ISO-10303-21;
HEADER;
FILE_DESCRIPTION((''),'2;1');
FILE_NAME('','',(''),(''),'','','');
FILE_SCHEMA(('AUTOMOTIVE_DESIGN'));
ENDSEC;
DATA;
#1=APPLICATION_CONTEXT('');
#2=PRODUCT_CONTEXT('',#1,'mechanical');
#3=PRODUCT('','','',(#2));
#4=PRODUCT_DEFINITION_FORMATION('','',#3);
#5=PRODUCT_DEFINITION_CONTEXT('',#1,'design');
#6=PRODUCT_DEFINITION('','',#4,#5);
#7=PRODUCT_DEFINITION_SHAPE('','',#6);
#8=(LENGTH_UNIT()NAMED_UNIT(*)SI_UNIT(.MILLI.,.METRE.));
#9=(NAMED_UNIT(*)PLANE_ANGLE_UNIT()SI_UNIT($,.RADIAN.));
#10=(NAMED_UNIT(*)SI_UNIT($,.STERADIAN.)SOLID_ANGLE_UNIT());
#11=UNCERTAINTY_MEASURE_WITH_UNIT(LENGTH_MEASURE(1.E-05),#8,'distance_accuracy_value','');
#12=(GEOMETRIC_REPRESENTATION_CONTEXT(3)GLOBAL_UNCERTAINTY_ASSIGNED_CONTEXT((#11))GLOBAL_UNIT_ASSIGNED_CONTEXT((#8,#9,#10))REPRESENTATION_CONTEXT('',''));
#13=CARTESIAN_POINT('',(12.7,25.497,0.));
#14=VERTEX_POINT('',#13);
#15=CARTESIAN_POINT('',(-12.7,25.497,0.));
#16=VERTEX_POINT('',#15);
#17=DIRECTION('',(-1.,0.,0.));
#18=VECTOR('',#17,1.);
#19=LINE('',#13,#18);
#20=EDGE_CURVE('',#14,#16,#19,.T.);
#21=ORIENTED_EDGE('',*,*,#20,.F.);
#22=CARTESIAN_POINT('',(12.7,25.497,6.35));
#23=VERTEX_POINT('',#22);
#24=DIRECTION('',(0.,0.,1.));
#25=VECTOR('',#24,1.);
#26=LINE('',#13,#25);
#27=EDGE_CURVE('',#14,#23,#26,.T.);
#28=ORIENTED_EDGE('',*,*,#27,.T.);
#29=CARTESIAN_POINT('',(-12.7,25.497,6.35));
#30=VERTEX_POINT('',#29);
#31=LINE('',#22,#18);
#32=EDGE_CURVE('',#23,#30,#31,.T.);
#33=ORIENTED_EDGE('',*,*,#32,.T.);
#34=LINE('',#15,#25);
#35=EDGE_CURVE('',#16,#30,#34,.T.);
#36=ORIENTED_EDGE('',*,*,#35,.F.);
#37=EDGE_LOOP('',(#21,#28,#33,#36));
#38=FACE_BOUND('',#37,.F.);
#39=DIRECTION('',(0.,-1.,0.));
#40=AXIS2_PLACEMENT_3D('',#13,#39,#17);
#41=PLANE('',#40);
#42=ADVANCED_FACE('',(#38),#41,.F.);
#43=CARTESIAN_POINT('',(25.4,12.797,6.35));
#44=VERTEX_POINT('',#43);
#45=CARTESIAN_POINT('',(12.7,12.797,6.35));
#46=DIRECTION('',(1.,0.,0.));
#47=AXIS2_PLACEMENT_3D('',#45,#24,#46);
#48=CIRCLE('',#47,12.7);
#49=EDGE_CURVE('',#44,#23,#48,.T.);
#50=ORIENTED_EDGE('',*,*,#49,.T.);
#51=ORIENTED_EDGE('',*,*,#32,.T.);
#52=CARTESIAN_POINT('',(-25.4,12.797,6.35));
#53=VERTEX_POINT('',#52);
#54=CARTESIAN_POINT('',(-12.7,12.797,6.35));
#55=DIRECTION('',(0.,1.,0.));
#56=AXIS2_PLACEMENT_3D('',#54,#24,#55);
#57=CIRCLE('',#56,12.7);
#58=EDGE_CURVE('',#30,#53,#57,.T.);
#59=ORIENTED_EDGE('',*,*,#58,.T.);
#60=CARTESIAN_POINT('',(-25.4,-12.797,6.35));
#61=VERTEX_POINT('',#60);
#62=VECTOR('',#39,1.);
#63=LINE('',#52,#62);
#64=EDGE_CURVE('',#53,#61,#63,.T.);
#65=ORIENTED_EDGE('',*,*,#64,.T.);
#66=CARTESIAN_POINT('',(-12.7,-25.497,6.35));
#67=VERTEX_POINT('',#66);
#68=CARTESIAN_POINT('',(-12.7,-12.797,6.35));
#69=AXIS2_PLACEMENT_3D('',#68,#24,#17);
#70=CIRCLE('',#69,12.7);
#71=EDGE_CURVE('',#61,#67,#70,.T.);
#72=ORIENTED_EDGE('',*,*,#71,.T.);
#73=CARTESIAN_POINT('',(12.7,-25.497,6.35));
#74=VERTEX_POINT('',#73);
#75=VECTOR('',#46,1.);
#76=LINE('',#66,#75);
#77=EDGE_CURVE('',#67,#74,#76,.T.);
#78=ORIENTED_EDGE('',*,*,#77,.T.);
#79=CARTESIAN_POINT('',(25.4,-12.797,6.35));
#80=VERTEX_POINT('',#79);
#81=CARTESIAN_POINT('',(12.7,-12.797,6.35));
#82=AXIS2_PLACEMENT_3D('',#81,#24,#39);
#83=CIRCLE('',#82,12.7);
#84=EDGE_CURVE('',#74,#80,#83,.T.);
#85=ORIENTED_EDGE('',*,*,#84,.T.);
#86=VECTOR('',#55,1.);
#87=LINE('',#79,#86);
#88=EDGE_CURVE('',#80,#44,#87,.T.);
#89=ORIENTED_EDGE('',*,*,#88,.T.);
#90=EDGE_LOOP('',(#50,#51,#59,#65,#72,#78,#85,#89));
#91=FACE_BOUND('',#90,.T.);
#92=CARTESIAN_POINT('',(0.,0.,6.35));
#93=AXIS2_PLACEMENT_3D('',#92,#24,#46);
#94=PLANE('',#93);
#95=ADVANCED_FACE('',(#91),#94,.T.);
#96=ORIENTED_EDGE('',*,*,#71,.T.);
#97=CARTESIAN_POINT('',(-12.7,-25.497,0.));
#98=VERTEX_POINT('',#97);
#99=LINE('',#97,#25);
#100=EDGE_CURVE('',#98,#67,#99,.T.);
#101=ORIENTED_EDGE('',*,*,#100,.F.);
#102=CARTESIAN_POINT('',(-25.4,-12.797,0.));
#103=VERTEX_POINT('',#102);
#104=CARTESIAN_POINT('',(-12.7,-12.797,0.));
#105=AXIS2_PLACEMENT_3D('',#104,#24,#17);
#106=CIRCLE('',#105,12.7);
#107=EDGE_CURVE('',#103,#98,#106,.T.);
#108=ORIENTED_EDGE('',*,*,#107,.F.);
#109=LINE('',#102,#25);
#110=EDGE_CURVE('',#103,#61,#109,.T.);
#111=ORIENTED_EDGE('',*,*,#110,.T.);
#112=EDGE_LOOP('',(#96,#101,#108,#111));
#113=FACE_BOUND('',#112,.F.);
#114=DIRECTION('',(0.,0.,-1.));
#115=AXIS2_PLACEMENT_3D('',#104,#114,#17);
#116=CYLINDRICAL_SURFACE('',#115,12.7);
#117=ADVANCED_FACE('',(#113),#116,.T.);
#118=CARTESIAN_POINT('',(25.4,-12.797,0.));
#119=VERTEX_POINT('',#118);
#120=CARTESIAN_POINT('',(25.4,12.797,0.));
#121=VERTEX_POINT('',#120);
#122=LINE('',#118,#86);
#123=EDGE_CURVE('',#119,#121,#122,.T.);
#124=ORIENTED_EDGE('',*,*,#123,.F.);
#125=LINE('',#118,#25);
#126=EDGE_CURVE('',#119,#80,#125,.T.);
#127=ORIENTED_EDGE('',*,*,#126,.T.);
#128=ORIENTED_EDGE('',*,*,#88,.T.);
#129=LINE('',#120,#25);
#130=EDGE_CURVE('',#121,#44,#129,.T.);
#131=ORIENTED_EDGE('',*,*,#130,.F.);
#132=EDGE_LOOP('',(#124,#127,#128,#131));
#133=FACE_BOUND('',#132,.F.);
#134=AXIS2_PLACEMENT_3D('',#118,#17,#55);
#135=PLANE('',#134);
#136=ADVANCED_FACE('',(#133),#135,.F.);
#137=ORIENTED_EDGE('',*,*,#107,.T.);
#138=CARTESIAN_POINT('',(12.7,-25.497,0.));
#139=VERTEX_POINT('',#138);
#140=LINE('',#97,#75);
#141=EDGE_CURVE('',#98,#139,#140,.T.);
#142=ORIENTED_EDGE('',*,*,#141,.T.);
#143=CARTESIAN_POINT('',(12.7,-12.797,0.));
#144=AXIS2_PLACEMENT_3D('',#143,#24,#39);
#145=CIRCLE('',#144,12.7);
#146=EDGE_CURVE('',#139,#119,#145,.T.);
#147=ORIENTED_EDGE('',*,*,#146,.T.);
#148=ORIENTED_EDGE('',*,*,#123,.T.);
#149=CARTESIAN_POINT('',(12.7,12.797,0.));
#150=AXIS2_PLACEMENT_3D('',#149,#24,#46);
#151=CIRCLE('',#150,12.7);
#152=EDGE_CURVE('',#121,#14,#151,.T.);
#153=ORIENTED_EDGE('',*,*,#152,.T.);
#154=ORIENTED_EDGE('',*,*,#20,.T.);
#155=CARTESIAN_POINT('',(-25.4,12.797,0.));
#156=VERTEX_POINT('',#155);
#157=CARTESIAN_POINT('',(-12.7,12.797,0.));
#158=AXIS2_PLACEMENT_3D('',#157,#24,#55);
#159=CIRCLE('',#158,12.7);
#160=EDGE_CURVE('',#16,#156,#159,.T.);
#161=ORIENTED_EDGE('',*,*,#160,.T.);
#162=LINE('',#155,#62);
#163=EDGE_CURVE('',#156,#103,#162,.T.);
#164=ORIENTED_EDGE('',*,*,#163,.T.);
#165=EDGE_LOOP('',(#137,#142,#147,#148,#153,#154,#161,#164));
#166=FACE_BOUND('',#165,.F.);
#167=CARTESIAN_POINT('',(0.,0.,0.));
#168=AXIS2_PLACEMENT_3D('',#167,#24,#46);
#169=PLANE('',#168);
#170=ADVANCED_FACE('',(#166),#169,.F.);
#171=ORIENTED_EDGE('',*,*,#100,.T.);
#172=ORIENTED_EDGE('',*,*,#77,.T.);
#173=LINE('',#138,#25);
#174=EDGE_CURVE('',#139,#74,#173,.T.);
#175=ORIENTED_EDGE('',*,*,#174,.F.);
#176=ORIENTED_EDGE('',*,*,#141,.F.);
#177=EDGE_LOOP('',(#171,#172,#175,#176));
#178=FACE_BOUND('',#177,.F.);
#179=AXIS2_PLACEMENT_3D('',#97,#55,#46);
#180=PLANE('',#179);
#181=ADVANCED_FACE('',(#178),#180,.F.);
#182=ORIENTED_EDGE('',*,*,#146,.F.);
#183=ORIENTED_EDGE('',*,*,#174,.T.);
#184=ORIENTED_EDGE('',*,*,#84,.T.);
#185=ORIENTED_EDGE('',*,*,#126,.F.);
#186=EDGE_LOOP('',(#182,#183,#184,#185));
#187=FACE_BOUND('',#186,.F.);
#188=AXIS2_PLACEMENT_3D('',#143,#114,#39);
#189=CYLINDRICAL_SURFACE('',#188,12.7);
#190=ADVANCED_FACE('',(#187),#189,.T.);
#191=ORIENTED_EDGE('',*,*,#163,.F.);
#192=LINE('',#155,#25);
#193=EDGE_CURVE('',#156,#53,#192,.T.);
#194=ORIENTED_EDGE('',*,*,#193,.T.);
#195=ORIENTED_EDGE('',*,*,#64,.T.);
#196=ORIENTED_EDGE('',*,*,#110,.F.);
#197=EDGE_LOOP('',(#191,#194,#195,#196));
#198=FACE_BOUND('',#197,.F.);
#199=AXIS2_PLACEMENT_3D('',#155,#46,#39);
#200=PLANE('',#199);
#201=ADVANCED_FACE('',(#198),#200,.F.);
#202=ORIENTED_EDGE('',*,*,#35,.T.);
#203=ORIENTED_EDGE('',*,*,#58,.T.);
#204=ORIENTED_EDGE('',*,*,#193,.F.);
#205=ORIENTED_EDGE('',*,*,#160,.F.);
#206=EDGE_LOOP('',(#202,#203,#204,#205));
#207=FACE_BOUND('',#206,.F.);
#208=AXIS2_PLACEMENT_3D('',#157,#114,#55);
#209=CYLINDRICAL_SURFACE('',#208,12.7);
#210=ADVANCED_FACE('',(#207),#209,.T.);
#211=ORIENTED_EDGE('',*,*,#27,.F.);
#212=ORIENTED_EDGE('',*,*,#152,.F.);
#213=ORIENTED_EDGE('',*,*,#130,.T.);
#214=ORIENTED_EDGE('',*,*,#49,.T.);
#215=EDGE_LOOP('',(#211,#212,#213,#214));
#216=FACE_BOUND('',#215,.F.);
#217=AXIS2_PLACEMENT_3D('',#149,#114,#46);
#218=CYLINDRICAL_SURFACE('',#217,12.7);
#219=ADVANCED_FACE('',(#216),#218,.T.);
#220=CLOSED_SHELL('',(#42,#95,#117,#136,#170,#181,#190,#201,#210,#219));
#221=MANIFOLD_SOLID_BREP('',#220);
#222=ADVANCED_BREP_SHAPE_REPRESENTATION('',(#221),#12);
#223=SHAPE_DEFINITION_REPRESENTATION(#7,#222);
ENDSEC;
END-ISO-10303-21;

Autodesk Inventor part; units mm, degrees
ref_plane "YZ Plane" through (0, 0, 0) normal (1, 0, 0) x (0, 1, 0)
ref_plane "XZ Plane" through (0, 0, 0) normal (0, 1, 0) x (-1, 0, 0)
ref_plane "XY Plane" through (0, 0, 0) normal (0, 0, 1) x (1, 0, 0)
sketch "Sketch1" plane through (0, 0, 0) normal (0, 0, 1) x (1, 0, 0)
  line L0 (-12.7, -25.497) -> (12.7, -25.497)
  line L1 (25.4, -12.797) -> (25.4, 12.797)
  line L2 (12.7, 25.497) -> (-12.7, 25.497)
  line L3 (-25.4, 12.797) -> (-25.4, -12.797)
  line L4 (-25.4, -25.497) -> (25.4, 25.497) construction
  line L5 (25.4, -25.497) -> (-25.4, 25.497) construction
  arc A0 (-12.7, 25.497) -> (-25.4, 12.797) centre (-12.7, 12.797) ccw
  arc A1 (25.4, 12.797) -> (12.7, 25.497) centre (12.7, 12.797) ccw
  arc A2 (12.7, -25.497) -> (25.4, -12.797) centre (12.7, -12.797) ccw
  arc A3 (-25.4, -12.797) -> (-12.7, -25.497) centre (-12.7, -12.797) ccw
  point P0 (0, 0)
  dimension "d0" = 50.8
  dimension "d1" = 50.9941
  dimension "d2" = 12.7
extrude "Extrusion1" add sketch "Sketch1" along normal blind 6.35
equation "\"d1\" = 1.00382 * d0"
properties part number "A1-18002-200-02 Foot plate" material "Steel, Mild"
